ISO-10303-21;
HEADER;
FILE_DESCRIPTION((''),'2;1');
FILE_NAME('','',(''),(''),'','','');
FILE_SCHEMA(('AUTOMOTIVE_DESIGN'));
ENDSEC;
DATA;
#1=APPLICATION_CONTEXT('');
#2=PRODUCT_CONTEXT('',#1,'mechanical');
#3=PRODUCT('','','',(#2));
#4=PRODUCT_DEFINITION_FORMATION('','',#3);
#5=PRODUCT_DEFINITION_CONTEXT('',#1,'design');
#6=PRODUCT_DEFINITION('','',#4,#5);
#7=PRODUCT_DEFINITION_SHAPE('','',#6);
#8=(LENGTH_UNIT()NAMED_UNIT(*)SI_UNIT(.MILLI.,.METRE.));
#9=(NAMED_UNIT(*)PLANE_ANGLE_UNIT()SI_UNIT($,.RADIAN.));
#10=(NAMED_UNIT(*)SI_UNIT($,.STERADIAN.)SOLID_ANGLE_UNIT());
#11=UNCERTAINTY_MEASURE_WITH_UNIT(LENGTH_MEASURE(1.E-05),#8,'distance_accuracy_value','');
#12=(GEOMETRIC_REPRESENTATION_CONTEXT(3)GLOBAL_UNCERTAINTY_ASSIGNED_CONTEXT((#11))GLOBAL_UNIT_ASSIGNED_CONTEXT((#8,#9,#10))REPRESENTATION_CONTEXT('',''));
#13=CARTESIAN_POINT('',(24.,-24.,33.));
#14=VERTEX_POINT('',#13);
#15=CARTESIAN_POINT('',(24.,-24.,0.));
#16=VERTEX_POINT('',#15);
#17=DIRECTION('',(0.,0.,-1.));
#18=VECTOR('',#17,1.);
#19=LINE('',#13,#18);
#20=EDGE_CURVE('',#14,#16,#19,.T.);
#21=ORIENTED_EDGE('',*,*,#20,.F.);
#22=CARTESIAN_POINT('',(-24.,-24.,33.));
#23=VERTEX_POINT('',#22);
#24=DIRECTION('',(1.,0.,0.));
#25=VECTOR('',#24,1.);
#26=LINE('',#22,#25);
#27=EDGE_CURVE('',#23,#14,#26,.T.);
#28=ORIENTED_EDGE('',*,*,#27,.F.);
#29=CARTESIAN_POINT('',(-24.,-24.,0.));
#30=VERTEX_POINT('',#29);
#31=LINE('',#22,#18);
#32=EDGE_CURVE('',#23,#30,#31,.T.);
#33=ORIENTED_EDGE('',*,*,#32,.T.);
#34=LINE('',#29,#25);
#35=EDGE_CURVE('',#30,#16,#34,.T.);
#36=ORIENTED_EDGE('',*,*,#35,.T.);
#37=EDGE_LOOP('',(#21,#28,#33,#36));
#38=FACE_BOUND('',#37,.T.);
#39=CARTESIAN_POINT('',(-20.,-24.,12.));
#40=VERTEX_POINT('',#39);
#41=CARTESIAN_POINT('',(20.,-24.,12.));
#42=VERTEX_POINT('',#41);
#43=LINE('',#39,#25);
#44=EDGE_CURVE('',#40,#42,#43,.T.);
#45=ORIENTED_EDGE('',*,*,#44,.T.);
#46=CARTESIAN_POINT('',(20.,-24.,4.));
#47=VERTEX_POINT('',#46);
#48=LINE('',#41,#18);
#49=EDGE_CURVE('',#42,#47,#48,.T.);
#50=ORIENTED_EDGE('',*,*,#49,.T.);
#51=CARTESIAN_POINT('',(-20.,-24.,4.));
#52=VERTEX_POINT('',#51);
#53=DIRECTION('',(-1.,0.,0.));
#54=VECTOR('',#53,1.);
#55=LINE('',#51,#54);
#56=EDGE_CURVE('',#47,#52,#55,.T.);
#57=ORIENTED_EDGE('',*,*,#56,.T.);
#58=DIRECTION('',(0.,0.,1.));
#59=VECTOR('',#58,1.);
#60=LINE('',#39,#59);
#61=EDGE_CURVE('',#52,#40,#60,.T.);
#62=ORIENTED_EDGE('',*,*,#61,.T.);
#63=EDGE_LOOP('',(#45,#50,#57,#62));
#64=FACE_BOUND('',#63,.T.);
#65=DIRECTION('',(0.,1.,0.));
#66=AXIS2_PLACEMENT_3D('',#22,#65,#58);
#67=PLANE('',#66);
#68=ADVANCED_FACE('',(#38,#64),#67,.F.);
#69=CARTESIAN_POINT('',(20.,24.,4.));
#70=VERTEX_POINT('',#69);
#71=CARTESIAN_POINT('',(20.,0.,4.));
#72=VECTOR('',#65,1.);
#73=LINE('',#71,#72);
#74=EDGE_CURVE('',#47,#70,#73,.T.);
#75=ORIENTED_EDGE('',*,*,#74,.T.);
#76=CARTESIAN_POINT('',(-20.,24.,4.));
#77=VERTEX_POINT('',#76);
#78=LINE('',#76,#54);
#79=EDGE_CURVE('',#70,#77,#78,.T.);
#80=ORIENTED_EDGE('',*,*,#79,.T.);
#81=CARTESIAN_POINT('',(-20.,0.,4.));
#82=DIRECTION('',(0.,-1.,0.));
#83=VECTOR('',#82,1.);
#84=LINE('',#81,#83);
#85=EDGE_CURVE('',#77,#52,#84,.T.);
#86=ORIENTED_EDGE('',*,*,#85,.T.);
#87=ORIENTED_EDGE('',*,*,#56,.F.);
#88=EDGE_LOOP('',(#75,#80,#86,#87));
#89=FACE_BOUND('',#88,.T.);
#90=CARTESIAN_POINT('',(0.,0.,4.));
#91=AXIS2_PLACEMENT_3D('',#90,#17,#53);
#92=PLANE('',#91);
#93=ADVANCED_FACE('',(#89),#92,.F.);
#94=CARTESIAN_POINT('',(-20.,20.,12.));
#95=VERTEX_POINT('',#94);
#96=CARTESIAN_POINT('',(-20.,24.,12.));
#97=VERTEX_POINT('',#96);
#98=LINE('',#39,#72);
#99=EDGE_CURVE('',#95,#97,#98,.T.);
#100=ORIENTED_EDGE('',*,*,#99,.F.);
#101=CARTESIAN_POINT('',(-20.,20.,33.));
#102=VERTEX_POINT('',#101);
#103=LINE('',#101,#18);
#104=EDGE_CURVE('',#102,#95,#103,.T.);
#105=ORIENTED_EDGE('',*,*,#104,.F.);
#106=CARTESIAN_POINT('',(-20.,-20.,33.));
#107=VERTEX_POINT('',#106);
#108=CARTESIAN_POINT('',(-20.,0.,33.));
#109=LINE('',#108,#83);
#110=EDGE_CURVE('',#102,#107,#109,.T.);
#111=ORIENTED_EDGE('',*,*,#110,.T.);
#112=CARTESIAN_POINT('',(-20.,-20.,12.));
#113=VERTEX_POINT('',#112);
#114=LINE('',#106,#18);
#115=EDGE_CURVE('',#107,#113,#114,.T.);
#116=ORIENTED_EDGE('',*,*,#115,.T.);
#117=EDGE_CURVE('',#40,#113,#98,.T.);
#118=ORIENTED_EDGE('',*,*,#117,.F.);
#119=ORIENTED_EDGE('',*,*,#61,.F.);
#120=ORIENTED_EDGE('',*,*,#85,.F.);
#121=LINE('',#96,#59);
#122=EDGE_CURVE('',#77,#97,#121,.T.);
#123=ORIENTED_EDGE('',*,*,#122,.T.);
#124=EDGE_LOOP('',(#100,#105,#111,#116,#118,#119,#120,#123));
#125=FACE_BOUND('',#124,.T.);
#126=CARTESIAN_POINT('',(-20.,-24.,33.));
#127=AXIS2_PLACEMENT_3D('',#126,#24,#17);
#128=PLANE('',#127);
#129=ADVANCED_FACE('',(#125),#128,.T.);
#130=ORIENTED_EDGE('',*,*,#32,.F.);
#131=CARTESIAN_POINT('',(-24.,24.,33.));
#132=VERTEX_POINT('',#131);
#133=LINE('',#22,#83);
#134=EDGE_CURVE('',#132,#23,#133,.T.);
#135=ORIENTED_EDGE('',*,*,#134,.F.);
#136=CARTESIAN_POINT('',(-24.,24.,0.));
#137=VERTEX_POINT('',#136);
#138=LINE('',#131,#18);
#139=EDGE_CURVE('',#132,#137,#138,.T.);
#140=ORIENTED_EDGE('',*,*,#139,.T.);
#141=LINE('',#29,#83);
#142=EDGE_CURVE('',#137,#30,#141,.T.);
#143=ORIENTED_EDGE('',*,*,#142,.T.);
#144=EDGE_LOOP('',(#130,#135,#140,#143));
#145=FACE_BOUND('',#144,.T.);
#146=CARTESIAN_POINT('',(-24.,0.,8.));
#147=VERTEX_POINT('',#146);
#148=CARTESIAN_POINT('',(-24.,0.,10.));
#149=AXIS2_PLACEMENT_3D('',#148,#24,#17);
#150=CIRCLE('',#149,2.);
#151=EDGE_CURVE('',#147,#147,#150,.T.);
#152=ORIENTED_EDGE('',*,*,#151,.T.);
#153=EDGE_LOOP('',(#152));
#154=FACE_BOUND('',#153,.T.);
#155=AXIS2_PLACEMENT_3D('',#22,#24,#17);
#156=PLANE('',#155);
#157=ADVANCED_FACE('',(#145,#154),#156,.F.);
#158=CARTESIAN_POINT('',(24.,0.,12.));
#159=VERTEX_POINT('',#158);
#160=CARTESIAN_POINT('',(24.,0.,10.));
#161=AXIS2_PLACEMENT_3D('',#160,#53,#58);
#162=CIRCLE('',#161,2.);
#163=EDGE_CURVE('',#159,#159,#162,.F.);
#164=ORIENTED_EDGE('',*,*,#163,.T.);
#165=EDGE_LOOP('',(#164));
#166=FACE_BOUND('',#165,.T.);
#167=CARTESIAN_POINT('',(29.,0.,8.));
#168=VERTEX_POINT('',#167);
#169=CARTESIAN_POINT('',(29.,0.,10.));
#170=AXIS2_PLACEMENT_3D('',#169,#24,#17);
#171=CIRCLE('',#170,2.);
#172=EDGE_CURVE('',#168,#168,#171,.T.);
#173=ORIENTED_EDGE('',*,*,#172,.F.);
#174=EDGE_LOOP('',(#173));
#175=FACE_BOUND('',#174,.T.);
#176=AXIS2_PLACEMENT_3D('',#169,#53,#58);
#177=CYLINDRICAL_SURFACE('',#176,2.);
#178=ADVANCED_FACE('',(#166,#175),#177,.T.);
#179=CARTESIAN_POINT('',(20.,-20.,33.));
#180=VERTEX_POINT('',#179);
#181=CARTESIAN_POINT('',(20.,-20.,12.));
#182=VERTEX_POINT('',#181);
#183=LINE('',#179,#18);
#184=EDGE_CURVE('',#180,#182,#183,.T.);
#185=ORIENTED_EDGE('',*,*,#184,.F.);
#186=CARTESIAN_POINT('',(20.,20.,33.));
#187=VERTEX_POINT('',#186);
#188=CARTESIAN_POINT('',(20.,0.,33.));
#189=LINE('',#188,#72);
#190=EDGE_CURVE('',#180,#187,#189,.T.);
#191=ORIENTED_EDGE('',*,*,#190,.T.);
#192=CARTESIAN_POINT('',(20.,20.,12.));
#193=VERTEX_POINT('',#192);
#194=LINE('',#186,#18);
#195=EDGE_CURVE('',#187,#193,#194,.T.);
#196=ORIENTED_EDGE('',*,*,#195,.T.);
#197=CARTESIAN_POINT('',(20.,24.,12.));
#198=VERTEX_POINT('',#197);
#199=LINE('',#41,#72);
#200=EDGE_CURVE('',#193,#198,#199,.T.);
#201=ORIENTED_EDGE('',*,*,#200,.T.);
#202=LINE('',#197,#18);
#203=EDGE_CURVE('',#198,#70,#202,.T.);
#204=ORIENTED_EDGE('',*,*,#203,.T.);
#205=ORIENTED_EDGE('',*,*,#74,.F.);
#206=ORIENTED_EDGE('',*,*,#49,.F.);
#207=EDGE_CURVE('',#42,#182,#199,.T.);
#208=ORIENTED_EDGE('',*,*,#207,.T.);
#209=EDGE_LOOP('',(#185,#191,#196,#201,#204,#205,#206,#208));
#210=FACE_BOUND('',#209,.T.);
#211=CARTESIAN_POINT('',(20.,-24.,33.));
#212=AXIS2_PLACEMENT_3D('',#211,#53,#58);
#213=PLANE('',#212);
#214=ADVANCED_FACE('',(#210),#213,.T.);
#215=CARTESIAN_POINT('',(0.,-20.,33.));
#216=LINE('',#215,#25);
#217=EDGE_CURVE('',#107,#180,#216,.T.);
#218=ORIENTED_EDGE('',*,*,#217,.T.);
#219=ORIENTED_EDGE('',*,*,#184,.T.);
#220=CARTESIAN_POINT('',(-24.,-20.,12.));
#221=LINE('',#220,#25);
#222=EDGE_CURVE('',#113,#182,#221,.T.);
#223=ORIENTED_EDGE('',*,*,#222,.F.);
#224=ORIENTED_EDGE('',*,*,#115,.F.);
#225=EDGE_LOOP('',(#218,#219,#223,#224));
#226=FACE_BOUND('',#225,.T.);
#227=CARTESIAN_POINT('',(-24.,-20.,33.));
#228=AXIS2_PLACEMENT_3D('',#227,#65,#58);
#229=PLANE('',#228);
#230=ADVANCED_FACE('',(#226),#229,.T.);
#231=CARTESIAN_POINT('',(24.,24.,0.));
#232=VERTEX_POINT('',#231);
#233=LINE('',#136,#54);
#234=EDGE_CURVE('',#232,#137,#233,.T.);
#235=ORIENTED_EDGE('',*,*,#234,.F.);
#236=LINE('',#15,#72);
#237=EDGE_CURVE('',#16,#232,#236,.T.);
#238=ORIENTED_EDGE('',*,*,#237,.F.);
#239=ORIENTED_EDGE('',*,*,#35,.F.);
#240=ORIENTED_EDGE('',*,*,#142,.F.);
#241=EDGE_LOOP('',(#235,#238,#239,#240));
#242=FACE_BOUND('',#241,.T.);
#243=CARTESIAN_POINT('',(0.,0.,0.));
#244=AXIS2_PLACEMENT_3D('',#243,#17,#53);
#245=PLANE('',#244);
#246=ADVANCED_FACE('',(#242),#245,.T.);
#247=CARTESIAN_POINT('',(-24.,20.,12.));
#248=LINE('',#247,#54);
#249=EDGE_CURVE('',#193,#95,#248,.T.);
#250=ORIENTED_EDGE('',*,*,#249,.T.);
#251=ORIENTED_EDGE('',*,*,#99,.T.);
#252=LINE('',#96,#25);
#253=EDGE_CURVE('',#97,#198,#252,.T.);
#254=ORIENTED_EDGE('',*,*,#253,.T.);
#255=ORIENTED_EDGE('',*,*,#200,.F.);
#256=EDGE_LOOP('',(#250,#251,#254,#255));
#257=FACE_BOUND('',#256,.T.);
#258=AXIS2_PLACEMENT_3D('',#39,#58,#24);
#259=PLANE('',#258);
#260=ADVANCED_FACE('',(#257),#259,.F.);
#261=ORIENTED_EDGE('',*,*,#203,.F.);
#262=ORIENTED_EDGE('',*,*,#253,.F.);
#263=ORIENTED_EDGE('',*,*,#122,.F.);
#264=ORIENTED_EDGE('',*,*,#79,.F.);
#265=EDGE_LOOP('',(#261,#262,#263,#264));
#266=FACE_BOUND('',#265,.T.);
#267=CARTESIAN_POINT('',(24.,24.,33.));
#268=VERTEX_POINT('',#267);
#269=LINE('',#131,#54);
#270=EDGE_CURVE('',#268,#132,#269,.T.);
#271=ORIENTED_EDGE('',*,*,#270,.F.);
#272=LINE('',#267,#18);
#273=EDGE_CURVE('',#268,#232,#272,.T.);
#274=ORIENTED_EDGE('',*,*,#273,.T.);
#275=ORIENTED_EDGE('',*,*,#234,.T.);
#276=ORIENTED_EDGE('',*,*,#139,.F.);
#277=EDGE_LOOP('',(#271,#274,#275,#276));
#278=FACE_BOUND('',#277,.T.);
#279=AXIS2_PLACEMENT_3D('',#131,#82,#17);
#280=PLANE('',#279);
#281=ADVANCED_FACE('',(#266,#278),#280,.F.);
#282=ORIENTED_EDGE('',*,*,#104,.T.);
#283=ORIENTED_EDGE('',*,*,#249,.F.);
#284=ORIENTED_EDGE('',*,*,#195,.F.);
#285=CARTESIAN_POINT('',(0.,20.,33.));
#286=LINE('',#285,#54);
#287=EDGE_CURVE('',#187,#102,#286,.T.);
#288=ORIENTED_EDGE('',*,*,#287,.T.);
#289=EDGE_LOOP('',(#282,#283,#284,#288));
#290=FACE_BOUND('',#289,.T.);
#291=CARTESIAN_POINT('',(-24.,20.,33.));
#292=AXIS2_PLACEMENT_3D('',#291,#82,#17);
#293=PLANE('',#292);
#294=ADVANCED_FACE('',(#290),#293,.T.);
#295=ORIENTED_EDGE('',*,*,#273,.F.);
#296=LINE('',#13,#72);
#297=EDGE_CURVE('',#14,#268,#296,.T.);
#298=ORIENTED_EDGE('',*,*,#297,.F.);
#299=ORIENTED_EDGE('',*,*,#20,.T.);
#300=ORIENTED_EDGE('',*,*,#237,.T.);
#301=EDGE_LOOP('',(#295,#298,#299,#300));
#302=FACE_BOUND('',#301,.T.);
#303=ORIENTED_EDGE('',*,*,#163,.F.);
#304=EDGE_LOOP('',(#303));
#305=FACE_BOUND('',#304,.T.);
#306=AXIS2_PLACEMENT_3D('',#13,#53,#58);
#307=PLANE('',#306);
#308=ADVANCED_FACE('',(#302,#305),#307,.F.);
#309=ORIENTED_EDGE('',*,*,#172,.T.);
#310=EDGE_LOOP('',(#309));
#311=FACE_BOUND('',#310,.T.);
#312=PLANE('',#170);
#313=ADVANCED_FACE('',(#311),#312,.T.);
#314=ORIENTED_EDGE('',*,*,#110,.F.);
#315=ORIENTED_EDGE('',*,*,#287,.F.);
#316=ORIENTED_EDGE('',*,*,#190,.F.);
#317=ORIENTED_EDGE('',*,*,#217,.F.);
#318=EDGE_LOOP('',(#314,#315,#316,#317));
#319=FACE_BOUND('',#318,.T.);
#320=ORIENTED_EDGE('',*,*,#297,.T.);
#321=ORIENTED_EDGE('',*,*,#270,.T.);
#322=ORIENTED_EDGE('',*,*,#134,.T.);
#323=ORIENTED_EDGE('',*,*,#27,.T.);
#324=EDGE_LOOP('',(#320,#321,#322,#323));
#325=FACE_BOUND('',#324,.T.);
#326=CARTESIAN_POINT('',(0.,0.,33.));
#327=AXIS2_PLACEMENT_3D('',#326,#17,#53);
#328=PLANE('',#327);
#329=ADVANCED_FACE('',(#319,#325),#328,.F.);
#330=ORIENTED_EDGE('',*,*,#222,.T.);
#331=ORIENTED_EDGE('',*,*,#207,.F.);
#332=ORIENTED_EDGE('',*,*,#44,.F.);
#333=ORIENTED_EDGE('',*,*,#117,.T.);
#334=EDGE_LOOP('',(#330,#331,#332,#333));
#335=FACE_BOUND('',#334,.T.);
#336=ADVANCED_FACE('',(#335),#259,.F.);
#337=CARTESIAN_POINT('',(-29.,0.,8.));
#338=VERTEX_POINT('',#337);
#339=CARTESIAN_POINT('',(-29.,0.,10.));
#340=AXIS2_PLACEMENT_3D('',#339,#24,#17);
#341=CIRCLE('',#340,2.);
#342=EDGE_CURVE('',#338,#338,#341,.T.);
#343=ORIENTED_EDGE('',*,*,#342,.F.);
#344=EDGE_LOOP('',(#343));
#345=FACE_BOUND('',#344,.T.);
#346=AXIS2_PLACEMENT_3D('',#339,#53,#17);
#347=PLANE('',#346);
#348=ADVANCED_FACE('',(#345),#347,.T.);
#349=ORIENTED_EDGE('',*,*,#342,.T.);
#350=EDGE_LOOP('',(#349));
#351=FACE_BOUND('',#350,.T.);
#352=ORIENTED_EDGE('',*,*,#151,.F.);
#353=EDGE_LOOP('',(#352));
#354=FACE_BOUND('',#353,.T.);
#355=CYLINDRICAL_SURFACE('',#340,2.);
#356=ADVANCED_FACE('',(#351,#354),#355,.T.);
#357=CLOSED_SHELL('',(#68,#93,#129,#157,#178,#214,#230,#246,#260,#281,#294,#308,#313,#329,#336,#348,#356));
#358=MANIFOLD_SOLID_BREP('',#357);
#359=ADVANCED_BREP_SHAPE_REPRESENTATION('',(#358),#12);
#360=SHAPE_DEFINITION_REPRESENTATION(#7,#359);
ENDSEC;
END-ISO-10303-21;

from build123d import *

# Parameters (mm, degrees)
SKETCH1_W           = 48
SKETCH1_H           = 48
BOSS_EXTRUDE1_DEPTH = 33
SHELL1_T            = -4
SKETCH2_W           = 40
SKETCH2_H           = 8
CUT_EXTRUDE1_DEPTH  = 49
SKETCH3_R           = 2
BOSS_EXTRUDE2_DEPTH = 5


with BuildPart() as part:
    # Sketch1 → Boss-Extrude1 (new body)
    with BuildSketch(Plane.XY):
        Rectangle(SKETCH1_W, SKETCH1_H)
    extrude(amount=BOSS_EXTRUDE1_DEPTH)

    # Shell1
    shell1_openings = [part.faces().sort_by_distance(p)[0] for p in [
        (0, 0, 33),
    ]]
    offset(amount=SHELL1_T, openings=shell1_openings, kind=Kind.INTERSECTION)

    # Sketch2 → Cut-Extrude1 (cut, through all)
    with BuildSketch(Plane(origin=(0, 24, 0), x_dir=(1, 0, 0), z_dir=(0, 1, 0))):
        with Locations((0, -8)):
            Rectangle(SKETCH2_W, SKETCH2_H)
    extrude(amount=-CUT_EXTRUDE1_DEPTH, mode=Mode.SUBTRACT)

    # Sketch3 → Boss-Extrude2 (add)
    with BuildSketch(Plane(origin=(24, 0, 0), x_dir=(0, 0, -1), z_dir=(1, 0, 0))):
        with Locations((-10, 0)):
            Circle(SKETCH3_R)
    boss_extrude2 = extrude(amount=BOSS_EXTRUDE2_DEPTH)

    # Mirror1: Boss-Extrude2 across plane
    add(boss_extrude2.mirror(Plane(origin=(0, 0, 0), x_dir=(0, 0, 1), z_dir=(1, 0, 0))))


solid = part.part
